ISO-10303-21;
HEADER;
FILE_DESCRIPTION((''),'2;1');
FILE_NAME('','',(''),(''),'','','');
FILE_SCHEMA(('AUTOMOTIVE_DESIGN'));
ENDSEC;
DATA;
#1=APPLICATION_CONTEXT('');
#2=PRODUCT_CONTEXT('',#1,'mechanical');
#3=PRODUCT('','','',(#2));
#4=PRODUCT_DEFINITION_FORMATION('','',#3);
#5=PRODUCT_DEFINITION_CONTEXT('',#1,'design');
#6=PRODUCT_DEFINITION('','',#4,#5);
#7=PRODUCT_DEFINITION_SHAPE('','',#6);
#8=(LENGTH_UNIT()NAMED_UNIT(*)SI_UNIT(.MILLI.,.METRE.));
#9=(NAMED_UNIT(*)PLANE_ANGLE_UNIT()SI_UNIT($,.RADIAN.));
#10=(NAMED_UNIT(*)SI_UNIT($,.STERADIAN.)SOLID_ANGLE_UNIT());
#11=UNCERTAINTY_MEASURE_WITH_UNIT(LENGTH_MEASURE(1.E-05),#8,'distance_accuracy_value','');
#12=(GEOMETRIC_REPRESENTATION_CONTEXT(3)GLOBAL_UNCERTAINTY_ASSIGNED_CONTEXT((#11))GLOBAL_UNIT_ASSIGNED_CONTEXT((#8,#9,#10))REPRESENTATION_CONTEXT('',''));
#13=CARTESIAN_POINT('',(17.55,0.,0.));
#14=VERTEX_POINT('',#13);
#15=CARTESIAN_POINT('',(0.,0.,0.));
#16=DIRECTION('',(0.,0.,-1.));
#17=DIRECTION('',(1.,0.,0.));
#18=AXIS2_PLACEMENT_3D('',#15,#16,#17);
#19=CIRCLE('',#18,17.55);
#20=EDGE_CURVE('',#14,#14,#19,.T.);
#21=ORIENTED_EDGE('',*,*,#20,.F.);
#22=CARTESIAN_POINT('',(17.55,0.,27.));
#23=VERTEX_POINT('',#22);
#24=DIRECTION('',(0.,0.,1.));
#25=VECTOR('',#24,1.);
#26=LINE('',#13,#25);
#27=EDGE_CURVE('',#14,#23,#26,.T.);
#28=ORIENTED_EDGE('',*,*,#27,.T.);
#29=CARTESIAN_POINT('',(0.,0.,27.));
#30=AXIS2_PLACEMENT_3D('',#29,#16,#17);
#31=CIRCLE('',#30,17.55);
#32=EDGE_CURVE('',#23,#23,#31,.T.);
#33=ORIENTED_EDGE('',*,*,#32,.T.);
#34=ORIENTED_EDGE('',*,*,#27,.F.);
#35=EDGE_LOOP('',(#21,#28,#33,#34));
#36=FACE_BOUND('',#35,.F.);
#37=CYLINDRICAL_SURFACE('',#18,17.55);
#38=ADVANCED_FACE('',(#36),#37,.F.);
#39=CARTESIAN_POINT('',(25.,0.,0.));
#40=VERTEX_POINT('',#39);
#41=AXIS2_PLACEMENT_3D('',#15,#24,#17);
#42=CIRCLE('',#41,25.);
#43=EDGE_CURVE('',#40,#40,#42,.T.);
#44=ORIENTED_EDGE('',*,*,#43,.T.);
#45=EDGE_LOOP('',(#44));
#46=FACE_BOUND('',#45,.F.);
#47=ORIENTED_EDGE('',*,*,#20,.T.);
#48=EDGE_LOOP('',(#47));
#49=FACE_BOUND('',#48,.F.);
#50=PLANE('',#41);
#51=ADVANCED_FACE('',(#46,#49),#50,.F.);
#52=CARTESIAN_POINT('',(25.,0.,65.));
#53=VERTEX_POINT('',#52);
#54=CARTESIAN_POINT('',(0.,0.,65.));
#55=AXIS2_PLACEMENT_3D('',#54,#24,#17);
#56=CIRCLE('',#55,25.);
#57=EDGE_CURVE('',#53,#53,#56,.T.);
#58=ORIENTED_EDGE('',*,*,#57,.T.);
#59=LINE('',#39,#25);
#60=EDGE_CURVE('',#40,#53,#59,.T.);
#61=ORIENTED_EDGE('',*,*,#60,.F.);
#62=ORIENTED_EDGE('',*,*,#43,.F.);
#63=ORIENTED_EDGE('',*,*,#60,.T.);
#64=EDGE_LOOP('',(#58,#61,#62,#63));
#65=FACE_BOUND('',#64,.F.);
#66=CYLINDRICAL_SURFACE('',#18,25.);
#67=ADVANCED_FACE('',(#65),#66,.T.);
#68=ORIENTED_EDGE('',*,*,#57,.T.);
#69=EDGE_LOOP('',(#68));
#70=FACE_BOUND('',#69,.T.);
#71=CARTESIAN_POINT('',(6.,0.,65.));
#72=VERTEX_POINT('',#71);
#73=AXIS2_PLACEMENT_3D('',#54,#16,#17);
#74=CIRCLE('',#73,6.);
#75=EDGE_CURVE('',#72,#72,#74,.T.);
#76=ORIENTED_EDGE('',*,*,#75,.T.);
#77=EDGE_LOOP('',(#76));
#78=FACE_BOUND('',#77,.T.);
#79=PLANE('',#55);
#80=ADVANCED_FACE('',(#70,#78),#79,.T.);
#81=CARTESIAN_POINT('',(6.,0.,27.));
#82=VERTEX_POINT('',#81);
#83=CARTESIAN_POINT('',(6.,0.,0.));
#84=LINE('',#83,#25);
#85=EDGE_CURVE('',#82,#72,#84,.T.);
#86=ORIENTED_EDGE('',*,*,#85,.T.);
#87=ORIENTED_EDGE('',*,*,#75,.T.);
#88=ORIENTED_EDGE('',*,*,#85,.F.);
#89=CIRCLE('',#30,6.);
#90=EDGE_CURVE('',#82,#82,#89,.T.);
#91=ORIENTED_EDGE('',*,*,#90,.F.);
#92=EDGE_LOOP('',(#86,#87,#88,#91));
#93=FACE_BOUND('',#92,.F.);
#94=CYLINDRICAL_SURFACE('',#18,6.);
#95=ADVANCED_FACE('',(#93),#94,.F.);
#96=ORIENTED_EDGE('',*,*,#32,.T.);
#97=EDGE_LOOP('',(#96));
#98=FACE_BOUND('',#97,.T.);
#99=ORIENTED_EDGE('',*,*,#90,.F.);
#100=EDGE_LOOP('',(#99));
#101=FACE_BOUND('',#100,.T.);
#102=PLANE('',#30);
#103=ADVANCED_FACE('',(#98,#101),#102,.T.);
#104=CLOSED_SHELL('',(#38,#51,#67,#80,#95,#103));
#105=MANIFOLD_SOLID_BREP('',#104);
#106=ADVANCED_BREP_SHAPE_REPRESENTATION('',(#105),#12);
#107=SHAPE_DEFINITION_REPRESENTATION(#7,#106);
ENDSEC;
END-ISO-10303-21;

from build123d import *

# Parameters (mm, degrees)
F0_R     = 25
F0_R_2   = 17.55
F1_DEPTH = 65
F2_R     = 6
F3_DEPTH = 65.001
F4_R     = 17.55
F5_DEPTH = 27


with BuildPart() as f1:
    # F0 (on Top) → F1 (new body)
    with BuildSketch(Plane.XY):
        Circle(F0_R)
        Circle(F0_R_2, mode=Mode.SUBTRACT)
        Circle(F0_R_2)
    extrude(amount=F1_DEPTH)

    # F2 (on face) → F3 (cut, through all)
    with BuildSketch(Plane(origin=(0, 0, 0), x_dir=(1, 0, 0), z_dir=(0, 0, -1))):
        Circle(F2_R)
    extrude(amount=-F3_DEPTH, mode=Mode.SUBTRACT)

    # F4 (on face) → F5 (cut)
    with BuildSketch(Plane(origin=(0, 0, 0), x_dir=(1, 0, 0), z_dir=(0, 0, -1))):
        Circle(F4_R)
    extrude(amount=-F5_DEPTH, mode=Mode.SUBTRACT)


solid = f1.part
